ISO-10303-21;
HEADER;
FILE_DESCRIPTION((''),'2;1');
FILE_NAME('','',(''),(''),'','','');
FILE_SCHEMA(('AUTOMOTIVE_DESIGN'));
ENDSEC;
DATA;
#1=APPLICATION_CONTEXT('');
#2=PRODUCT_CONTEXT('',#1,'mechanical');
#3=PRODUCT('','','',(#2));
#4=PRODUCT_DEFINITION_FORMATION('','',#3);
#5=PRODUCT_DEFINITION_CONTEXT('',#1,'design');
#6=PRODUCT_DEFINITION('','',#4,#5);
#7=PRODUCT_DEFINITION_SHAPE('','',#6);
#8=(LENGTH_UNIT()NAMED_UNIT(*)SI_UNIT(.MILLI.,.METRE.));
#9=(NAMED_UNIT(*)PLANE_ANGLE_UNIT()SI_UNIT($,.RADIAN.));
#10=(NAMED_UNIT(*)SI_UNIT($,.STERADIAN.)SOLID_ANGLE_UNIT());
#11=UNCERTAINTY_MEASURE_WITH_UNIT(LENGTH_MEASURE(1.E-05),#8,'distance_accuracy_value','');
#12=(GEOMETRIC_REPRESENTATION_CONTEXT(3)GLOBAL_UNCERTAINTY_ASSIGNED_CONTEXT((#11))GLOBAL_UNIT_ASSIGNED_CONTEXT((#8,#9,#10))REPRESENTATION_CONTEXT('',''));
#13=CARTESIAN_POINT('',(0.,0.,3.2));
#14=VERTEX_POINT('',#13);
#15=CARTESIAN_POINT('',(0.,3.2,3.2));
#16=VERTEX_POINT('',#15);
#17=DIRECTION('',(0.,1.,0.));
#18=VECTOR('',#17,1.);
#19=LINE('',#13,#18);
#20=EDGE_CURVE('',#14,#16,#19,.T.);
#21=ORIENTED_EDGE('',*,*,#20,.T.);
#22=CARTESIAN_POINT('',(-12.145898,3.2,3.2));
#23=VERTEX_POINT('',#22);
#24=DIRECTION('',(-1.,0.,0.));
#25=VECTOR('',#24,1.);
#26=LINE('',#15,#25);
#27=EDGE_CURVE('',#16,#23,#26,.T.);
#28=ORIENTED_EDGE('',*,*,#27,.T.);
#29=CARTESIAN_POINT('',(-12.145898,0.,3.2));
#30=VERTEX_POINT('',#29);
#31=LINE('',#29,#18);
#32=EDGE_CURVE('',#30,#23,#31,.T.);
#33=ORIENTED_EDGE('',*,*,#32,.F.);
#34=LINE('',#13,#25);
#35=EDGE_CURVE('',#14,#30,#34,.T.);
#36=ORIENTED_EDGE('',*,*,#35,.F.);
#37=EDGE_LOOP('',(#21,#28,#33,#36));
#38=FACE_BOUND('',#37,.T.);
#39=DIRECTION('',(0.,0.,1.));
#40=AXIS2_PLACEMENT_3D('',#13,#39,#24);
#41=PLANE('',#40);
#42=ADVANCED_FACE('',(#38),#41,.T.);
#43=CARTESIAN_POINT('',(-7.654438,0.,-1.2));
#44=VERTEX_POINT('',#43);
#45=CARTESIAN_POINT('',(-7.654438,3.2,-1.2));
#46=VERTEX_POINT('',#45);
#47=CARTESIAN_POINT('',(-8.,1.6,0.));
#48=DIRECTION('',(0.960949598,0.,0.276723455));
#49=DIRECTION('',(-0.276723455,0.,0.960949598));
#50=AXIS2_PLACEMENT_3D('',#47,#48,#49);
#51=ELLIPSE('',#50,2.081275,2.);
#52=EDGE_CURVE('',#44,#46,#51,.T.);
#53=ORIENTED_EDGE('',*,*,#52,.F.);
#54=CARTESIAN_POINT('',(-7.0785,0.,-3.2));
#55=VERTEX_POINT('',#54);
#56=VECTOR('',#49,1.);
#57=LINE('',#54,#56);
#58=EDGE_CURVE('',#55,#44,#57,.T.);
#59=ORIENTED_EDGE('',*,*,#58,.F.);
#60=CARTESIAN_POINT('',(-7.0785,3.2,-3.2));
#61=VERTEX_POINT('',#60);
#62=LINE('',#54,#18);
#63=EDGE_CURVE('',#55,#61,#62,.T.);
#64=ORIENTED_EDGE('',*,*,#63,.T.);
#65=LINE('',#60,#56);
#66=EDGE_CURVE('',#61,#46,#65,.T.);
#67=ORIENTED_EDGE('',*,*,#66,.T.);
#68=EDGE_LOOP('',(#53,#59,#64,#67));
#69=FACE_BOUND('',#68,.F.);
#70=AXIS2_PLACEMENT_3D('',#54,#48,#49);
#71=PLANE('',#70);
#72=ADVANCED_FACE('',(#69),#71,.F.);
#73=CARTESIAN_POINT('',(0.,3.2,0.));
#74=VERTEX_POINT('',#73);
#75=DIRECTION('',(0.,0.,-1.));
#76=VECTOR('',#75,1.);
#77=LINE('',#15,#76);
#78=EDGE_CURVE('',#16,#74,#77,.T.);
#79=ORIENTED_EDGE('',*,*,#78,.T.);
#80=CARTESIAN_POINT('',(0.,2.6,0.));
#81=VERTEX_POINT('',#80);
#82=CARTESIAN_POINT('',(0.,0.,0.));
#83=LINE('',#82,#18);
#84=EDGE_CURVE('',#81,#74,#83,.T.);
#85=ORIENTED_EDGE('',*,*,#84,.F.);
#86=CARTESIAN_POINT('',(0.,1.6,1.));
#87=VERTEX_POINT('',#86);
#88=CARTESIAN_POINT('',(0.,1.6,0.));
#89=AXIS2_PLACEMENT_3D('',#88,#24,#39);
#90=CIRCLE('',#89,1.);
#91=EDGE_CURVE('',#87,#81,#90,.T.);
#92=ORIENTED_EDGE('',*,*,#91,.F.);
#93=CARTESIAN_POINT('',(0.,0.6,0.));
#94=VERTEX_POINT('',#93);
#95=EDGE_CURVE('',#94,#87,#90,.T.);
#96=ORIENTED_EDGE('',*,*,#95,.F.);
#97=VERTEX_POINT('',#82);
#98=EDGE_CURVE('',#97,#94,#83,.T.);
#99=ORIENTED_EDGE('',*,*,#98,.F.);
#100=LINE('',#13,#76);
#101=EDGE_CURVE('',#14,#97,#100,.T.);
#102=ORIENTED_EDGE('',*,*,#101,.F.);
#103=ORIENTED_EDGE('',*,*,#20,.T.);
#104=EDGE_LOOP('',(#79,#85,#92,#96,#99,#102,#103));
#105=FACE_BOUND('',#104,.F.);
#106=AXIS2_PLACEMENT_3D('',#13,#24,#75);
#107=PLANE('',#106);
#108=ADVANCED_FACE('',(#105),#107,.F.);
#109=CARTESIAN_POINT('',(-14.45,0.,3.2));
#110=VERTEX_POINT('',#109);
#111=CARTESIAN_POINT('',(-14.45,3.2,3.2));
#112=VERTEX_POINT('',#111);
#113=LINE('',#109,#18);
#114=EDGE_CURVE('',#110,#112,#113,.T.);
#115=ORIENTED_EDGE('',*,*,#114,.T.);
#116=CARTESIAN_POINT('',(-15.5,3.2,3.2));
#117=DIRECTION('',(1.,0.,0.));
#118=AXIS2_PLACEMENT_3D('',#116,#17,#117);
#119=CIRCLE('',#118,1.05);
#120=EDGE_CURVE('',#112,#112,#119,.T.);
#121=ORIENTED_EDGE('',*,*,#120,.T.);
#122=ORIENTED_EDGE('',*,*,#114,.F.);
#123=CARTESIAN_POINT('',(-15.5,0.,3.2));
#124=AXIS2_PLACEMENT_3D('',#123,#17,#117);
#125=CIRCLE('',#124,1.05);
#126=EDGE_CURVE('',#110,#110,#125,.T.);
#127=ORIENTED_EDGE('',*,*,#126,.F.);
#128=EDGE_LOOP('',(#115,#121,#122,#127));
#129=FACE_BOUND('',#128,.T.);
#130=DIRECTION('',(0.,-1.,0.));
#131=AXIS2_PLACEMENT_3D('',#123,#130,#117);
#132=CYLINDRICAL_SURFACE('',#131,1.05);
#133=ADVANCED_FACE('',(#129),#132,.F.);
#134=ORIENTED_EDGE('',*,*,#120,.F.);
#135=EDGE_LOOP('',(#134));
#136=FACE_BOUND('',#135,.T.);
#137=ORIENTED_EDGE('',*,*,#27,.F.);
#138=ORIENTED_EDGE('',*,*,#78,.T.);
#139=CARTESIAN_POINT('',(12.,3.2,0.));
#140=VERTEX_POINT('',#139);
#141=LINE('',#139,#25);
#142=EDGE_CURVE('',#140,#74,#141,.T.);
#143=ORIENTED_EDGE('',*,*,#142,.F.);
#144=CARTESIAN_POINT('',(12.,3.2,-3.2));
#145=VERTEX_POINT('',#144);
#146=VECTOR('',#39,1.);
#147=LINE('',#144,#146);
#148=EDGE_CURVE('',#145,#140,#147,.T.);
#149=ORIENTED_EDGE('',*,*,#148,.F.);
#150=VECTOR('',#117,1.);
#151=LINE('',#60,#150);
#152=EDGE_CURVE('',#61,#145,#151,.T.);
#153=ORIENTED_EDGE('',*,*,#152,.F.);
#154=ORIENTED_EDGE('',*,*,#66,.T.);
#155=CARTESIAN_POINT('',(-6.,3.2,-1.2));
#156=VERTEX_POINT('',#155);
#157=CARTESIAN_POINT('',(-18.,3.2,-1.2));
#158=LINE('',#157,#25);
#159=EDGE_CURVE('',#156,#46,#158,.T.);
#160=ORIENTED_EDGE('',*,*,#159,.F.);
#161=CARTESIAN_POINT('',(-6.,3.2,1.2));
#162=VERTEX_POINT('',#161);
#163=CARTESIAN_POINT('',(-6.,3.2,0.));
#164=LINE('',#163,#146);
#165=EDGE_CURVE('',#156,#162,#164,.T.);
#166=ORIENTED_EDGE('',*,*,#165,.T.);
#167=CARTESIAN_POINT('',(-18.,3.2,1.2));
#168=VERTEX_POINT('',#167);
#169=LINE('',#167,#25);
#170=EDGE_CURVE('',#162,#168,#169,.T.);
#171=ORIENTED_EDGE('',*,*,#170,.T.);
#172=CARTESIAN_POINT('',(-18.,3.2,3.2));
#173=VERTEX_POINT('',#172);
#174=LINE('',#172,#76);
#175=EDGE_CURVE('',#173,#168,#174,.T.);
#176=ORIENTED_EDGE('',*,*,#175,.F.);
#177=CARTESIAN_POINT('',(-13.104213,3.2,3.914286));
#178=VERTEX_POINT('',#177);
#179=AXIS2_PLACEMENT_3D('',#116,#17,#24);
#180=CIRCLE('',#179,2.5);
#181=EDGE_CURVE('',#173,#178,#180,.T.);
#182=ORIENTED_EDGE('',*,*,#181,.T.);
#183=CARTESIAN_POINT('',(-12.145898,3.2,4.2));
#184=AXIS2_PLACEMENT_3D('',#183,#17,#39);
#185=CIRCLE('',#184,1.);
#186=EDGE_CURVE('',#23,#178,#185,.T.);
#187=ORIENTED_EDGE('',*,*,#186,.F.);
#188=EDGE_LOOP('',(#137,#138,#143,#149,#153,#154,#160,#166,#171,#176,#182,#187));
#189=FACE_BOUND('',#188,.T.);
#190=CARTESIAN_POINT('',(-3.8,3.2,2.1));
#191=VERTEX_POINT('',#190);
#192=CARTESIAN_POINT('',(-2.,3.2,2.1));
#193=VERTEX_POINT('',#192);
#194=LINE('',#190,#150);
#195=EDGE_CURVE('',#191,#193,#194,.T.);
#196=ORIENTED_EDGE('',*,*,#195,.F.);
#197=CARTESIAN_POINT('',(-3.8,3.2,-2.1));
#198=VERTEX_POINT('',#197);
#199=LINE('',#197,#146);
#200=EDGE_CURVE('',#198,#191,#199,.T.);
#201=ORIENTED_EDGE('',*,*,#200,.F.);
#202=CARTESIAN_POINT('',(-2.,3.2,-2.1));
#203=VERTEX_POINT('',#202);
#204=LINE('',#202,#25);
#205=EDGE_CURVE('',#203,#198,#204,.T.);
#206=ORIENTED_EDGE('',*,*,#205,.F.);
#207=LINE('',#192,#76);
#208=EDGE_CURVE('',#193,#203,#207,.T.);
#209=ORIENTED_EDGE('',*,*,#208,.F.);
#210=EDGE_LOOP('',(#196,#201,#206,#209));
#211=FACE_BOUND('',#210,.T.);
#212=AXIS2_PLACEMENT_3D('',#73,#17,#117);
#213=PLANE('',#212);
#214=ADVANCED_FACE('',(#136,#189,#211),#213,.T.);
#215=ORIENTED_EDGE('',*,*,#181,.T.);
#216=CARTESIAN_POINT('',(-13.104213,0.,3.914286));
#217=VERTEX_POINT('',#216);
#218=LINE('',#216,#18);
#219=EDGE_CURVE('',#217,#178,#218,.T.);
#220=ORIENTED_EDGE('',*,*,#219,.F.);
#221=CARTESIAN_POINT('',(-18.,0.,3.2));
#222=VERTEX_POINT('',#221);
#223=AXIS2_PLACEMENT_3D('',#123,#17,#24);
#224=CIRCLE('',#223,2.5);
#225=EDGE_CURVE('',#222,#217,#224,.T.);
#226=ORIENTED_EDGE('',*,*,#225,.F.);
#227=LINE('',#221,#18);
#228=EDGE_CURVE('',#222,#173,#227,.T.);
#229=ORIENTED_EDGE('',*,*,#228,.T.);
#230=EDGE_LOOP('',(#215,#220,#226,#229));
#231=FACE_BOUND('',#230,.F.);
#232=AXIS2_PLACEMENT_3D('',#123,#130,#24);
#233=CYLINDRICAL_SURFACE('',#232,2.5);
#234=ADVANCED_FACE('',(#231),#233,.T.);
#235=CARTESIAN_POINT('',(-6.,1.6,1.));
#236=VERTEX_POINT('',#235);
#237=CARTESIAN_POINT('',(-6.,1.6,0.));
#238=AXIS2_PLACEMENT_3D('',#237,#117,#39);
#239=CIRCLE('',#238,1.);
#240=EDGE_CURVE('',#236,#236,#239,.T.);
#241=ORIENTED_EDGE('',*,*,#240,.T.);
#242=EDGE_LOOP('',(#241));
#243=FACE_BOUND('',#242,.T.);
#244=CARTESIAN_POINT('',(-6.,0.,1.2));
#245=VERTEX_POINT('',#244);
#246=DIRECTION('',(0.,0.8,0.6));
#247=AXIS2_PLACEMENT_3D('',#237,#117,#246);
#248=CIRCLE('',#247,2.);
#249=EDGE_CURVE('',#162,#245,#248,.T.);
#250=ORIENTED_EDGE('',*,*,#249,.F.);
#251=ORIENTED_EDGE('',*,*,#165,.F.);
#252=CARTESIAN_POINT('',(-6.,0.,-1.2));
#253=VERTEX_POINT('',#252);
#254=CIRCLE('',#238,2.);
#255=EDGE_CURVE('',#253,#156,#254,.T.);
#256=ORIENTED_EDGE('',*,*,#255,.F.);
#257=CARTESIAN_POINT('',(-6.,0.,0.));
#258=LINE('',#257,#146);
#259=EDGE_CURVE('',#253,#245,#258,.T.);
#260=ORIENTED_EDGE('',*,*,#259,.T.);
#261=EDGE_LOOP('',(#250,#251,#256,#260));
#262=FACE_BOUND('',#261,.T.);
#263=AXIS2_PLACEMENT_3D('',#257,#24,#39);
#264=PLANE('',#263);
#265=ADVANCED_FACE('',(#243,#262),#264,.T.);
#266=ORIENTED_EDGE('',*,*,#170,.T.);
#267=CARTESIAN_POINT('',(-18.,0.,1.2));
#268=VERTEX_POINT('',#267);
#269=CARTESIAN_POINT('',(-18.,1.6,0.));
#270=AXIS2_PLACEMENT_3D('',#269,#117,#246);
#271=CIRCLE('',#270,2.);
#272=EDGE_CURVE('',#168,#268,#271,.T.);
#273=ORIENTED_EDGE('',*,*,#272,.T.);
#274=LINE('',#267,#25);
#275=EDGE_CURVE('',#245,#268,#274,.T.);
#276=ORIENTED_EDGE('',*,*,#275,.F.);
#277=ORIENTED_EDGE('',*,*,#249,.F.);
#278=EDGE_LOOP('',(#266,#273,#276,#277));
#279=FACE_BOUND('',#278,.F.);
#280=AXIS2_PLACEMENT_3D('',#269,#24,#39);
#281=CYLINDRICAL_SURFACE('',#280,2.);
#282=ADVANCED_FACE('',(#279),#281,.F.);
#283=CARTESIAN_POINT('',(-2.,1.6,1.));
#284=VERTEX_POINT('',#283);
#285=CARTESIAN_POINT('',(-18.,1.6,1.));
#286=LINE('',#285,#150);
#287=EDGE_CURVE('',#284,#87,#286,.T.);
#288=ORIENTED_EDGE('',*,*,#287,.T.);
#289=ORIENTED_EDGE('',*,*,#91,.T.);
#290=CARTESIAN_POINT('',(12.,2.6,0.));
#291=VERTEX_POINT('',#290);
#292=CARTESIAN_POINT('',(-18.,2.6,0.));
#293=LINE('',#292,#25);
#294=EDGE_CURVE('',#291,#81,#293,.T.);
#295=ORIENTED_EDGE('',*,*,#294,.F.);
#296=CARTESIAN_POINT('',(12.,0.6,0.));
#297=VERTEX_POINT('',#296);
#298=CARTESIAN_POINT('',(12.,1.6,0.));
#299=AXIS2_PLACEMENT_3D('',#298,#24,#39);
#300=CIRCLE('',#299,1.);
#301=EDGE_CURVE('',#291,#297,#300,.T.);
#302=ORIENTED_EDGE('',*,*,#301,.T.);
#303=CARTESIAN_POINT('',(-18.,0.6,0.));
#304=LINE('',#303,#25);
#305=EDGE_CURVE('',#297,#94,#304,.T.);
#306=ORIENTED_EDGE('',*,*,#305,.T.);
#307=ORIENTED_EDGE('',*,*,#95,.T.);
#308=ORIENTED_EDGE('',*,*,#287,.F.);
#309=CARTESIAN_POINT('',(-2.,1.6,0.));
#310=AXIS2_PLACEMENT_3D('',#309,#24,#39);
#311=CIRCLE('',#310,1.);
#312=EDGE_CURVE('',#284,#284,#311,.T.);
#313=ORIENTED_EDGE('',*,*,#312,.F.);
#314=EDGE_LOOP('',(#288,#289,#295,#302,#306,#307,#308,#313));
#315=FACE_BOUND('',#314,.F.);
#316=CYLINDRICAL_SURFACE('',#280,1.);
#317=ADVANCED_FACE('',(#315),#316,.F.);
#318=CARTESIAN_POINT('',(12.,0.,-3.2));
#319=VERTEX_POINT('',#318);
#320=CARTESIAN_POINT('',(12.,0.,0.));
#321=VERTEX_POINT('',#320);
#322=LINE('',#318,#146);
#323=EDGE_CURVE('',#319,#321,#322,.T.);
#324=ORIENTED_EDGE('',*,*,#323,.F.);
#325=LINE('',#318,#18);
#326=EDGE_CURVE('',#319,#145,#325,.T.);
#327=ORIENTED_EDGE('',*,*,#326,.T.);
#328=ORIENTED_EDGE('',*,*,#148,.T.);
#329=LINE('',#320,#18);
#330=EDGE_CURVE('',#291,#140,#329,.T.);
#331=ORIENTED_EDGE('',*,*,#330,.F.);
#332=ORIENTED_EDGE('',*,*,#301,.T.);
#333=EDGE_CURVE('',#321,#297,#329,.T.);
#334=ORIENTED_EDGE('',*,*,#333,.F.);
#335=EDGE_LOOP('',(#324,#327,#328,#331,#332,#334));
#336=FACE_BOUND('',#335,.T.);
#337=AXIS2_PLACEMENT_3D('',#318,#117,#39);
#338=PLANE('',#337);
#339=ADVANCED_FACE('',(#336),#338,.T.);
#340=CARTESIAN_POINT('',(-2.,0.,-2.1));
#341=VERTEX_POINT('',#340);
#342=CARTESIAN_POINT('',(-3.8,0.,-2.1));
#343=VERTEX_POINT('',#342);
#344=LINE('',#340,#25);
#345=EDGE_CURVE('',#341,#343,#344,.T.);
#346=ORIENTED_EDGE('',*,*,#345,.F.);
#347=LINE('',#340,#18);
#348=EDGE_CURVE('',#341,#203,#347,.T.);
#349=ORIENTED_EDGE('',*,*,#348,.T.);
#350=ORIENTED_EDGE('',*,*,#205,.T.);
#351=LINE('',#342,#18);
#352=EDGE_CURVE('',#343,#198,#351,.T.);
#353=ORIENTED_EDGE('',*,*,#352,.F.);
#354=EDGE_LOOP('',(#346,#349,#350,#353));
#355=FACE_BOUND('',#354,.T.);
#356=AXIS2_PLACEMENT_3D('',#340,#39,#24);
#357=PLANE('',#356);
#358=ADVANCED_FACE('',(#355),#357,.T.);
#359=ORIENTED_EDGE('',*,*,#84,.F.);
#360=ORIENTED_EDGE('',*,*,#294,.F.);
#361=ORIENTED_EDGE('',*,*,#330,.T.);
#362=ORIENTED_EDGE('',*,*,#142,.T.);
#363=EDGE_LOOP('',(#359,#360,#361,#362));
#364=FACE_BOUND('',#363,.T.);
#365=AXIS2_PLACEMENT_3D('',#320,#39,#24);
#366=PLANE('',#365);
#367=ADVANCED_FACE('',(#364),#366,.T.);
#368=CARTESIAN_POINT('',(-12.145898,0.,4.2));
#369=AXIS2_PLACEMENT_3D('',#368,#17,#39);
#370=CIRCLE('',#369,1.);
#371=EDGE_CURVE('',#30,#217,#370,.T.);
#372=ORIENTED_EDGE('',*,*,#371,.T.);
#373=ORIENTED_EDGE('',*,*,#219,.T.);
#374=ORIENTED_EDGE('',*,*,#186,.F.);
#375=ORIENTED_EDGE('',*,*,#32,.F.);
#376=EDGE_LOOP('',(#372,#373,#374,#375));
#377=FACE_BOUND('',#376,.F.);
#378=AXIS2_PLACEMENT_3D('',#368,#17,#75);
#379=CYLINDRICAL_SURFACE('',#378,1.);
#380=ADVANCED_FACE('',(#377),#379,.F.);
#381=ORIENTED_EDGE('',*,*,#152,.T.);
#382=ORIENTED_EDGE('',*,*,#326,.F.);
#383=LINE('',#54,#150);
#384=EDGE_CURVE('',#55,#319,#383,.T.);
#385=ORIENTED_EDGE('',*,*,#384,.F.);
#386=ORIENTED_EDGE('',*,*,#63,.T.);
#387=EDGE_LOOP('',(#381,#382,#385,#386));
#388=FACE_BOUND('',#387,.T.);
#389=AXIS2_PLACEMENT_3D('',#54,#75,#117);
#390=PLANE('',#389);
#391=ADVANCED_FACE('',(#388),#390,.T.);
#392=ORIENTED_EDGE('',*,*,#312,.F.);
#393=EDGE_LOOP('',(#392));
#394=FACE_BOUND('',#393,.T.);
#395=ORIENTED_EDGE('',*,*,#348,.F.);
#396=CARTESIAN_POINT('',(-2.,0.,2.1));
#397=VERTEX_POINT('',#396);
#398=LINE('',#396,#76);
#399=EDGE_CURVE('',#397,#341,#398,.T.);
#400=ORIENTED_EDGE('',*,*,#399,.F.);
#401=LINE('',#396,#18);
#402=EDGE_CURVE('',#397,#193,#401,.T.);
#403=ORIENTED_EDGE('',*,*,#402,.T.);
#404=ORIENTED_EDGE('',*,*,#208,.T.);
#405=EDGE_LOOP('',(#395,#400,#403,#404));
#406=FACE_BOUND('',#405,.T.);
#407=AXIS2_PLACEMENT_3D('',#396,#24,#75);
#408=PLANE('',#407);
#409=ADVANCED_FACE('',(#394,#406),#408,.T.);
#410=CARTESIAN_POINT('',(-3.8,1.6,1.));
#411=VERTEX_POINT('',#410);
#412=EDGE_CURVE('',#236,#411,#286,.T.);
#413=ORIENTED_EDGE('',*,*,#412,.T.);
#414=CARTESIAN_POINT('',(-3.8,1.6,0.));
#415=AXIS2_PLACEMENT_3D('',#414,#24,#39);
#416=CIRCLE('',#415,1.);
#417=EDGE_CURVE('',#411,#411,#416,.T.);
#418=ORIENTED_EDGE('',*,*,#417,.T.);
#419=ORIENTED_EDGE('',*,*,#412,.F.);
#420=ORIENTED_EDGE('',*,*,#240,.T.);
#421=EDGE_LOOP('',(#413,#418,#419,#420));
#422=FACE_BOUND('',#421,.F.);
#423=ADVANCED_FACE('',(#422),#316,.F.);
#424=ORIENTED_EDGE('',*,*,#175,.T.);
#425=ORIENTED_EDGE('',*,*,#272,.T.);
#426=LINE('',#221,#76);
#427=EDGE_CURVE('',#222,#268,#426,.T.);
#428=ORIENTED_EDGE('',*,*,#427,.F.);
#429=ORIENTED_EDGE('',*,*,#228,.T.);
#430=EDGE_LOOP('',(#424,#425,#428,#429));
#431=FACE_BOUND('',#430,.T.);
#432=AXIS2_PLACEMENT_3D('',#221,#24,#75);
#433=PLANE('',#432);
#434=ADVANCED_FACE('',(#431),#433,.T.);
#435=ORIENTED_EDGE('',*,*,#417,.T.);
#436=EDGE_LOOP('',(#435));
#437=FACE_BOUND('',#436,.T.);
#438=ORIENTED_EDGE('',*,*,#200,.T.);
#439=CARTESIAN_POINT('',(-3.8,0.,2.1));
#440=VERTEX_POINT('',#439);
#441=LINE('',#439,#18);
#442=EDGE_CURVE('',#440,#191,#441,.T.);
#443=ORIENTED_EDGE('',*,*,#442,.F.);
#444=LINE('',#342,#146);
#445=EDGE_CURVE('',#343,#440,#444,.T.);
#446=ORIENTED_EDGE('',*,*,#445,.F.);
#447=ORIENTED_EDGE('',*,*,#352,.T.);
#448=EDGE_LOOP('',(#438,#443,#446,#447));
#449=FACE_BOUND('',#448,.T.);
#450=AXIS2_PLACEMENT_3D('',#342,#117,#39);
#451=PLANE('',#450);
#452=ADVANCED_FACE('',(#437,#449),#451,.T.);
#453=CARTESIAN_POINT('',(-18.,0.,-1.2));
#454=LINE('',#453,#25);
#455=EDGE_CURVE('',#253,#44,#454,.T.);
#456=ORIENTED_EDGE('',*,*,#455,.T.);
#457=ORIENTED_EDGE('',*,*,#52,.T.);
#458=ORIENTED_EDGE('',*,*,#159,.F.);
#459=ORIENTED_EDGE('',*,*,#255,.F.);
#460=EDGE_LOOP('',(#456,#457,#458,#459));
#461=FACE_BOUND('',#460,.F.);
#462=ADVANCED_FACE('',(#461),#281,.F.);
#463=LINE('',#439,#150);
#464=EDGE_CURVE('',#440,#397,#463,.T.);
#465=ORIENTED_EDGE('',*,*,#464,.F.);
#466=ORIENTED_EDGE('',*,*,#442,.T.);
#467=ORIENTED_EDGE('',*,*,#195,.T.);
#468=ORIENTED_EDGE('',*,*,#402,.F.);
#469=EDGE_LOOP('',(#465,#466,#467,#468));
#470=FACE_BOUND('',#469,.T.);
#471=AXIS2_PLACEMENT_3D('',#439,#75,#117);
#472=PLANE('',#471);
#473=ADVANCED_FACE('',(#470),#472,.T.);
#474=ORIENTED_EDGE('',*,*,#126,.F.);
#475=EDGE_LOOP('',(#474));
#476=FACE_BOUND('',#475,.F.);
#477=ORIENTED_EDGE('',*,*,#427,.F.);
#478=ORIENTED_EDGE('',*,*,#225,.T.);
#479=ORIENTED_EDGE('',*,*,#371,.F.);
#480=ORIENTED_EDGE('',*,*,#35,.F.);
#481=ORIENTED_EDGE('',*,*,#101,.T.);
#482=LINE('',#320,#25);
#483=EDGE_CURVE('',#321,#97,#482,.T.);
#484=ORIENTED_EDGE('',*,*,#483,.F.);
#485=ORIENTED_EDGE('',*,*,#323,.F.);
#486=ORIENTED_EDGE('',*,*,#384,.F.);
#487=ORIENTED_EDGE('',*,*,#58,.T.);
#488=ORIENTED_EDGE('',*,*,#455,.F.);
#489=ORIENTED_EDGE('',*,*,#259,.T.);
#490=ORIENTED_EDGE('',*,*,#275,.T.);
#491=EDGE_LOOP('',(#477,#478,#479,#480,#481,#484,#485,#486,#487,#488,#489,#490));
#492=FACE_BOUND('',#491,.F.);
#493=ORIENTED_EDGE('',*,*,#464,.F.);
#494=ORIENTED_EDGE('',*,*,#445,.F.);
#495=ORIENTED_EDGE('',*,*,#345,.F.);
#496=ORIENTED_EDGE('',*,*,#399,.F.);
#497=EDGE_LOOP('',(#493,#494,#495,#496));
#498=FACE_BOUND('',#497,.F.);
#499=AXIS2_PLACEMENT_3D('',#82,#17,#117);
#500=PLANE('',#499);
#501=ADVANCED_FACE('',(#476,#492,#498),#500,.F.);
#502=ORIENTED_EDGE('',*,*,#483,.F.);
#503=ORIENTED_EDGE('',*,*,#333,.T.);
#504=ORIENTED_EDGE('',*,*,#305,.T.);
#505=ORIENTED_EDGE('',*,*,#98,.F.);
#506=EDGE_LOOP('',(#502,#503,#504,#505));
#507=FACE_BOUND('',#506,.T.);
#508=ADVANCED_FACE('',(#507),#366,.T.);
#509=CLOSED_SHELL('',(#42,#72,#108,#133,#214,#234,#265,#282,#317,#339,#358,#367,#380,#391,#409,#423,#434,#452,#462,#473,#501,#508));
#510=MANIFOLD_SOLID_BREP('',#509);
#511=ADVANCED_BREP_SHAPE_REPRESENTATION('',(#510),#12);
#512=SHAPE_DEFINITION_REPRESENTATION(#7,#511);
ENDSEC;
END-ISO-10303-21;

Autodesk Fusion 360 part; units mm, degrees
sketch "Sketch1" plane through (0, 0, 0) normal (0, 1, 0) x (1, 0, 0)
  line L0 (12, 3.2) -> (12, 0)
  line L1 (12, 0) -> (0, 0)
  line L2 (-18, -3.2) -> (-18, 0)
  circle A0 centre (-15.5, -3.2) radius 1.05
  line L3 (-7.0785, 3.2) -> (-8, 0)
  line L4 (-8, 0) -> (-18, 0)
  line L5 (-7.0785, 3.2) -> (12, 3.2)
  line L6 (-3.8, 2.1) -> (-3.8, -2.1)
  line L7 (-3.8, -2.1) -> (-2, -2.1)
  line L8 (-2, -2.1) -> (-2, 2.1)
  line L9 (-2, 2.1) -> (-3.8, 2.1)
  line L10 (0, -3.2) -> (-13, -3.2)
  line L11 (0, -3.2) -> (0, 0)
  arc A1 (-18, -3.2) -> (-13, -3.2) centre (-15.5, -3.2) ccw
  dimension "d9" = 2.1
  dimension "d15" = 3.2
  dimension "d22" = 10
  dimension "d23" = 4.2
  dimension "d24" = 1.8
  dimension "d35" = 12
  dimension "d37" = 2.5
  dimension "d39" = 3.2
  dimension "d40" = 18
  dimension "d42" = 5
  dimension "d43" = 3.2
  dimension "d50" = 2
extrude "Extrude2" add sketch "Sketch1" along normal blind 3.2
sketch "Sketch3" plane through (-18, 0, 0) normal (-1, 0, 0) x (0, 0, 1)
  line L0 (0, 0) -> (3.2, 0)
  line L1 (3.2, 0) -> (3.2, 3.2)
  line L2 (3.2, 3.2) -> (0, 3.2)
  line L3 (0, 3.2) -> (0, 0)
  circle A0 centre (0, 1.6) radius 1
  circle A1 centre (0, 1.6) radius 2
  dimension "d44" = 2
  dimension "d45" = 4
extrude "Extrude7" cut sketch "Sketch3" against normal blind 30 contours L3 A0 | L3 A0
extrude "Extrude8" cut sketch "Sketch3" against normal blind 12 contours L0 L2 L3 A0 A1 | L0 L2 L3 A0 A1
fillet "Fillet4" radius 1 1 edges at (-13, 1.6, 3.2)
